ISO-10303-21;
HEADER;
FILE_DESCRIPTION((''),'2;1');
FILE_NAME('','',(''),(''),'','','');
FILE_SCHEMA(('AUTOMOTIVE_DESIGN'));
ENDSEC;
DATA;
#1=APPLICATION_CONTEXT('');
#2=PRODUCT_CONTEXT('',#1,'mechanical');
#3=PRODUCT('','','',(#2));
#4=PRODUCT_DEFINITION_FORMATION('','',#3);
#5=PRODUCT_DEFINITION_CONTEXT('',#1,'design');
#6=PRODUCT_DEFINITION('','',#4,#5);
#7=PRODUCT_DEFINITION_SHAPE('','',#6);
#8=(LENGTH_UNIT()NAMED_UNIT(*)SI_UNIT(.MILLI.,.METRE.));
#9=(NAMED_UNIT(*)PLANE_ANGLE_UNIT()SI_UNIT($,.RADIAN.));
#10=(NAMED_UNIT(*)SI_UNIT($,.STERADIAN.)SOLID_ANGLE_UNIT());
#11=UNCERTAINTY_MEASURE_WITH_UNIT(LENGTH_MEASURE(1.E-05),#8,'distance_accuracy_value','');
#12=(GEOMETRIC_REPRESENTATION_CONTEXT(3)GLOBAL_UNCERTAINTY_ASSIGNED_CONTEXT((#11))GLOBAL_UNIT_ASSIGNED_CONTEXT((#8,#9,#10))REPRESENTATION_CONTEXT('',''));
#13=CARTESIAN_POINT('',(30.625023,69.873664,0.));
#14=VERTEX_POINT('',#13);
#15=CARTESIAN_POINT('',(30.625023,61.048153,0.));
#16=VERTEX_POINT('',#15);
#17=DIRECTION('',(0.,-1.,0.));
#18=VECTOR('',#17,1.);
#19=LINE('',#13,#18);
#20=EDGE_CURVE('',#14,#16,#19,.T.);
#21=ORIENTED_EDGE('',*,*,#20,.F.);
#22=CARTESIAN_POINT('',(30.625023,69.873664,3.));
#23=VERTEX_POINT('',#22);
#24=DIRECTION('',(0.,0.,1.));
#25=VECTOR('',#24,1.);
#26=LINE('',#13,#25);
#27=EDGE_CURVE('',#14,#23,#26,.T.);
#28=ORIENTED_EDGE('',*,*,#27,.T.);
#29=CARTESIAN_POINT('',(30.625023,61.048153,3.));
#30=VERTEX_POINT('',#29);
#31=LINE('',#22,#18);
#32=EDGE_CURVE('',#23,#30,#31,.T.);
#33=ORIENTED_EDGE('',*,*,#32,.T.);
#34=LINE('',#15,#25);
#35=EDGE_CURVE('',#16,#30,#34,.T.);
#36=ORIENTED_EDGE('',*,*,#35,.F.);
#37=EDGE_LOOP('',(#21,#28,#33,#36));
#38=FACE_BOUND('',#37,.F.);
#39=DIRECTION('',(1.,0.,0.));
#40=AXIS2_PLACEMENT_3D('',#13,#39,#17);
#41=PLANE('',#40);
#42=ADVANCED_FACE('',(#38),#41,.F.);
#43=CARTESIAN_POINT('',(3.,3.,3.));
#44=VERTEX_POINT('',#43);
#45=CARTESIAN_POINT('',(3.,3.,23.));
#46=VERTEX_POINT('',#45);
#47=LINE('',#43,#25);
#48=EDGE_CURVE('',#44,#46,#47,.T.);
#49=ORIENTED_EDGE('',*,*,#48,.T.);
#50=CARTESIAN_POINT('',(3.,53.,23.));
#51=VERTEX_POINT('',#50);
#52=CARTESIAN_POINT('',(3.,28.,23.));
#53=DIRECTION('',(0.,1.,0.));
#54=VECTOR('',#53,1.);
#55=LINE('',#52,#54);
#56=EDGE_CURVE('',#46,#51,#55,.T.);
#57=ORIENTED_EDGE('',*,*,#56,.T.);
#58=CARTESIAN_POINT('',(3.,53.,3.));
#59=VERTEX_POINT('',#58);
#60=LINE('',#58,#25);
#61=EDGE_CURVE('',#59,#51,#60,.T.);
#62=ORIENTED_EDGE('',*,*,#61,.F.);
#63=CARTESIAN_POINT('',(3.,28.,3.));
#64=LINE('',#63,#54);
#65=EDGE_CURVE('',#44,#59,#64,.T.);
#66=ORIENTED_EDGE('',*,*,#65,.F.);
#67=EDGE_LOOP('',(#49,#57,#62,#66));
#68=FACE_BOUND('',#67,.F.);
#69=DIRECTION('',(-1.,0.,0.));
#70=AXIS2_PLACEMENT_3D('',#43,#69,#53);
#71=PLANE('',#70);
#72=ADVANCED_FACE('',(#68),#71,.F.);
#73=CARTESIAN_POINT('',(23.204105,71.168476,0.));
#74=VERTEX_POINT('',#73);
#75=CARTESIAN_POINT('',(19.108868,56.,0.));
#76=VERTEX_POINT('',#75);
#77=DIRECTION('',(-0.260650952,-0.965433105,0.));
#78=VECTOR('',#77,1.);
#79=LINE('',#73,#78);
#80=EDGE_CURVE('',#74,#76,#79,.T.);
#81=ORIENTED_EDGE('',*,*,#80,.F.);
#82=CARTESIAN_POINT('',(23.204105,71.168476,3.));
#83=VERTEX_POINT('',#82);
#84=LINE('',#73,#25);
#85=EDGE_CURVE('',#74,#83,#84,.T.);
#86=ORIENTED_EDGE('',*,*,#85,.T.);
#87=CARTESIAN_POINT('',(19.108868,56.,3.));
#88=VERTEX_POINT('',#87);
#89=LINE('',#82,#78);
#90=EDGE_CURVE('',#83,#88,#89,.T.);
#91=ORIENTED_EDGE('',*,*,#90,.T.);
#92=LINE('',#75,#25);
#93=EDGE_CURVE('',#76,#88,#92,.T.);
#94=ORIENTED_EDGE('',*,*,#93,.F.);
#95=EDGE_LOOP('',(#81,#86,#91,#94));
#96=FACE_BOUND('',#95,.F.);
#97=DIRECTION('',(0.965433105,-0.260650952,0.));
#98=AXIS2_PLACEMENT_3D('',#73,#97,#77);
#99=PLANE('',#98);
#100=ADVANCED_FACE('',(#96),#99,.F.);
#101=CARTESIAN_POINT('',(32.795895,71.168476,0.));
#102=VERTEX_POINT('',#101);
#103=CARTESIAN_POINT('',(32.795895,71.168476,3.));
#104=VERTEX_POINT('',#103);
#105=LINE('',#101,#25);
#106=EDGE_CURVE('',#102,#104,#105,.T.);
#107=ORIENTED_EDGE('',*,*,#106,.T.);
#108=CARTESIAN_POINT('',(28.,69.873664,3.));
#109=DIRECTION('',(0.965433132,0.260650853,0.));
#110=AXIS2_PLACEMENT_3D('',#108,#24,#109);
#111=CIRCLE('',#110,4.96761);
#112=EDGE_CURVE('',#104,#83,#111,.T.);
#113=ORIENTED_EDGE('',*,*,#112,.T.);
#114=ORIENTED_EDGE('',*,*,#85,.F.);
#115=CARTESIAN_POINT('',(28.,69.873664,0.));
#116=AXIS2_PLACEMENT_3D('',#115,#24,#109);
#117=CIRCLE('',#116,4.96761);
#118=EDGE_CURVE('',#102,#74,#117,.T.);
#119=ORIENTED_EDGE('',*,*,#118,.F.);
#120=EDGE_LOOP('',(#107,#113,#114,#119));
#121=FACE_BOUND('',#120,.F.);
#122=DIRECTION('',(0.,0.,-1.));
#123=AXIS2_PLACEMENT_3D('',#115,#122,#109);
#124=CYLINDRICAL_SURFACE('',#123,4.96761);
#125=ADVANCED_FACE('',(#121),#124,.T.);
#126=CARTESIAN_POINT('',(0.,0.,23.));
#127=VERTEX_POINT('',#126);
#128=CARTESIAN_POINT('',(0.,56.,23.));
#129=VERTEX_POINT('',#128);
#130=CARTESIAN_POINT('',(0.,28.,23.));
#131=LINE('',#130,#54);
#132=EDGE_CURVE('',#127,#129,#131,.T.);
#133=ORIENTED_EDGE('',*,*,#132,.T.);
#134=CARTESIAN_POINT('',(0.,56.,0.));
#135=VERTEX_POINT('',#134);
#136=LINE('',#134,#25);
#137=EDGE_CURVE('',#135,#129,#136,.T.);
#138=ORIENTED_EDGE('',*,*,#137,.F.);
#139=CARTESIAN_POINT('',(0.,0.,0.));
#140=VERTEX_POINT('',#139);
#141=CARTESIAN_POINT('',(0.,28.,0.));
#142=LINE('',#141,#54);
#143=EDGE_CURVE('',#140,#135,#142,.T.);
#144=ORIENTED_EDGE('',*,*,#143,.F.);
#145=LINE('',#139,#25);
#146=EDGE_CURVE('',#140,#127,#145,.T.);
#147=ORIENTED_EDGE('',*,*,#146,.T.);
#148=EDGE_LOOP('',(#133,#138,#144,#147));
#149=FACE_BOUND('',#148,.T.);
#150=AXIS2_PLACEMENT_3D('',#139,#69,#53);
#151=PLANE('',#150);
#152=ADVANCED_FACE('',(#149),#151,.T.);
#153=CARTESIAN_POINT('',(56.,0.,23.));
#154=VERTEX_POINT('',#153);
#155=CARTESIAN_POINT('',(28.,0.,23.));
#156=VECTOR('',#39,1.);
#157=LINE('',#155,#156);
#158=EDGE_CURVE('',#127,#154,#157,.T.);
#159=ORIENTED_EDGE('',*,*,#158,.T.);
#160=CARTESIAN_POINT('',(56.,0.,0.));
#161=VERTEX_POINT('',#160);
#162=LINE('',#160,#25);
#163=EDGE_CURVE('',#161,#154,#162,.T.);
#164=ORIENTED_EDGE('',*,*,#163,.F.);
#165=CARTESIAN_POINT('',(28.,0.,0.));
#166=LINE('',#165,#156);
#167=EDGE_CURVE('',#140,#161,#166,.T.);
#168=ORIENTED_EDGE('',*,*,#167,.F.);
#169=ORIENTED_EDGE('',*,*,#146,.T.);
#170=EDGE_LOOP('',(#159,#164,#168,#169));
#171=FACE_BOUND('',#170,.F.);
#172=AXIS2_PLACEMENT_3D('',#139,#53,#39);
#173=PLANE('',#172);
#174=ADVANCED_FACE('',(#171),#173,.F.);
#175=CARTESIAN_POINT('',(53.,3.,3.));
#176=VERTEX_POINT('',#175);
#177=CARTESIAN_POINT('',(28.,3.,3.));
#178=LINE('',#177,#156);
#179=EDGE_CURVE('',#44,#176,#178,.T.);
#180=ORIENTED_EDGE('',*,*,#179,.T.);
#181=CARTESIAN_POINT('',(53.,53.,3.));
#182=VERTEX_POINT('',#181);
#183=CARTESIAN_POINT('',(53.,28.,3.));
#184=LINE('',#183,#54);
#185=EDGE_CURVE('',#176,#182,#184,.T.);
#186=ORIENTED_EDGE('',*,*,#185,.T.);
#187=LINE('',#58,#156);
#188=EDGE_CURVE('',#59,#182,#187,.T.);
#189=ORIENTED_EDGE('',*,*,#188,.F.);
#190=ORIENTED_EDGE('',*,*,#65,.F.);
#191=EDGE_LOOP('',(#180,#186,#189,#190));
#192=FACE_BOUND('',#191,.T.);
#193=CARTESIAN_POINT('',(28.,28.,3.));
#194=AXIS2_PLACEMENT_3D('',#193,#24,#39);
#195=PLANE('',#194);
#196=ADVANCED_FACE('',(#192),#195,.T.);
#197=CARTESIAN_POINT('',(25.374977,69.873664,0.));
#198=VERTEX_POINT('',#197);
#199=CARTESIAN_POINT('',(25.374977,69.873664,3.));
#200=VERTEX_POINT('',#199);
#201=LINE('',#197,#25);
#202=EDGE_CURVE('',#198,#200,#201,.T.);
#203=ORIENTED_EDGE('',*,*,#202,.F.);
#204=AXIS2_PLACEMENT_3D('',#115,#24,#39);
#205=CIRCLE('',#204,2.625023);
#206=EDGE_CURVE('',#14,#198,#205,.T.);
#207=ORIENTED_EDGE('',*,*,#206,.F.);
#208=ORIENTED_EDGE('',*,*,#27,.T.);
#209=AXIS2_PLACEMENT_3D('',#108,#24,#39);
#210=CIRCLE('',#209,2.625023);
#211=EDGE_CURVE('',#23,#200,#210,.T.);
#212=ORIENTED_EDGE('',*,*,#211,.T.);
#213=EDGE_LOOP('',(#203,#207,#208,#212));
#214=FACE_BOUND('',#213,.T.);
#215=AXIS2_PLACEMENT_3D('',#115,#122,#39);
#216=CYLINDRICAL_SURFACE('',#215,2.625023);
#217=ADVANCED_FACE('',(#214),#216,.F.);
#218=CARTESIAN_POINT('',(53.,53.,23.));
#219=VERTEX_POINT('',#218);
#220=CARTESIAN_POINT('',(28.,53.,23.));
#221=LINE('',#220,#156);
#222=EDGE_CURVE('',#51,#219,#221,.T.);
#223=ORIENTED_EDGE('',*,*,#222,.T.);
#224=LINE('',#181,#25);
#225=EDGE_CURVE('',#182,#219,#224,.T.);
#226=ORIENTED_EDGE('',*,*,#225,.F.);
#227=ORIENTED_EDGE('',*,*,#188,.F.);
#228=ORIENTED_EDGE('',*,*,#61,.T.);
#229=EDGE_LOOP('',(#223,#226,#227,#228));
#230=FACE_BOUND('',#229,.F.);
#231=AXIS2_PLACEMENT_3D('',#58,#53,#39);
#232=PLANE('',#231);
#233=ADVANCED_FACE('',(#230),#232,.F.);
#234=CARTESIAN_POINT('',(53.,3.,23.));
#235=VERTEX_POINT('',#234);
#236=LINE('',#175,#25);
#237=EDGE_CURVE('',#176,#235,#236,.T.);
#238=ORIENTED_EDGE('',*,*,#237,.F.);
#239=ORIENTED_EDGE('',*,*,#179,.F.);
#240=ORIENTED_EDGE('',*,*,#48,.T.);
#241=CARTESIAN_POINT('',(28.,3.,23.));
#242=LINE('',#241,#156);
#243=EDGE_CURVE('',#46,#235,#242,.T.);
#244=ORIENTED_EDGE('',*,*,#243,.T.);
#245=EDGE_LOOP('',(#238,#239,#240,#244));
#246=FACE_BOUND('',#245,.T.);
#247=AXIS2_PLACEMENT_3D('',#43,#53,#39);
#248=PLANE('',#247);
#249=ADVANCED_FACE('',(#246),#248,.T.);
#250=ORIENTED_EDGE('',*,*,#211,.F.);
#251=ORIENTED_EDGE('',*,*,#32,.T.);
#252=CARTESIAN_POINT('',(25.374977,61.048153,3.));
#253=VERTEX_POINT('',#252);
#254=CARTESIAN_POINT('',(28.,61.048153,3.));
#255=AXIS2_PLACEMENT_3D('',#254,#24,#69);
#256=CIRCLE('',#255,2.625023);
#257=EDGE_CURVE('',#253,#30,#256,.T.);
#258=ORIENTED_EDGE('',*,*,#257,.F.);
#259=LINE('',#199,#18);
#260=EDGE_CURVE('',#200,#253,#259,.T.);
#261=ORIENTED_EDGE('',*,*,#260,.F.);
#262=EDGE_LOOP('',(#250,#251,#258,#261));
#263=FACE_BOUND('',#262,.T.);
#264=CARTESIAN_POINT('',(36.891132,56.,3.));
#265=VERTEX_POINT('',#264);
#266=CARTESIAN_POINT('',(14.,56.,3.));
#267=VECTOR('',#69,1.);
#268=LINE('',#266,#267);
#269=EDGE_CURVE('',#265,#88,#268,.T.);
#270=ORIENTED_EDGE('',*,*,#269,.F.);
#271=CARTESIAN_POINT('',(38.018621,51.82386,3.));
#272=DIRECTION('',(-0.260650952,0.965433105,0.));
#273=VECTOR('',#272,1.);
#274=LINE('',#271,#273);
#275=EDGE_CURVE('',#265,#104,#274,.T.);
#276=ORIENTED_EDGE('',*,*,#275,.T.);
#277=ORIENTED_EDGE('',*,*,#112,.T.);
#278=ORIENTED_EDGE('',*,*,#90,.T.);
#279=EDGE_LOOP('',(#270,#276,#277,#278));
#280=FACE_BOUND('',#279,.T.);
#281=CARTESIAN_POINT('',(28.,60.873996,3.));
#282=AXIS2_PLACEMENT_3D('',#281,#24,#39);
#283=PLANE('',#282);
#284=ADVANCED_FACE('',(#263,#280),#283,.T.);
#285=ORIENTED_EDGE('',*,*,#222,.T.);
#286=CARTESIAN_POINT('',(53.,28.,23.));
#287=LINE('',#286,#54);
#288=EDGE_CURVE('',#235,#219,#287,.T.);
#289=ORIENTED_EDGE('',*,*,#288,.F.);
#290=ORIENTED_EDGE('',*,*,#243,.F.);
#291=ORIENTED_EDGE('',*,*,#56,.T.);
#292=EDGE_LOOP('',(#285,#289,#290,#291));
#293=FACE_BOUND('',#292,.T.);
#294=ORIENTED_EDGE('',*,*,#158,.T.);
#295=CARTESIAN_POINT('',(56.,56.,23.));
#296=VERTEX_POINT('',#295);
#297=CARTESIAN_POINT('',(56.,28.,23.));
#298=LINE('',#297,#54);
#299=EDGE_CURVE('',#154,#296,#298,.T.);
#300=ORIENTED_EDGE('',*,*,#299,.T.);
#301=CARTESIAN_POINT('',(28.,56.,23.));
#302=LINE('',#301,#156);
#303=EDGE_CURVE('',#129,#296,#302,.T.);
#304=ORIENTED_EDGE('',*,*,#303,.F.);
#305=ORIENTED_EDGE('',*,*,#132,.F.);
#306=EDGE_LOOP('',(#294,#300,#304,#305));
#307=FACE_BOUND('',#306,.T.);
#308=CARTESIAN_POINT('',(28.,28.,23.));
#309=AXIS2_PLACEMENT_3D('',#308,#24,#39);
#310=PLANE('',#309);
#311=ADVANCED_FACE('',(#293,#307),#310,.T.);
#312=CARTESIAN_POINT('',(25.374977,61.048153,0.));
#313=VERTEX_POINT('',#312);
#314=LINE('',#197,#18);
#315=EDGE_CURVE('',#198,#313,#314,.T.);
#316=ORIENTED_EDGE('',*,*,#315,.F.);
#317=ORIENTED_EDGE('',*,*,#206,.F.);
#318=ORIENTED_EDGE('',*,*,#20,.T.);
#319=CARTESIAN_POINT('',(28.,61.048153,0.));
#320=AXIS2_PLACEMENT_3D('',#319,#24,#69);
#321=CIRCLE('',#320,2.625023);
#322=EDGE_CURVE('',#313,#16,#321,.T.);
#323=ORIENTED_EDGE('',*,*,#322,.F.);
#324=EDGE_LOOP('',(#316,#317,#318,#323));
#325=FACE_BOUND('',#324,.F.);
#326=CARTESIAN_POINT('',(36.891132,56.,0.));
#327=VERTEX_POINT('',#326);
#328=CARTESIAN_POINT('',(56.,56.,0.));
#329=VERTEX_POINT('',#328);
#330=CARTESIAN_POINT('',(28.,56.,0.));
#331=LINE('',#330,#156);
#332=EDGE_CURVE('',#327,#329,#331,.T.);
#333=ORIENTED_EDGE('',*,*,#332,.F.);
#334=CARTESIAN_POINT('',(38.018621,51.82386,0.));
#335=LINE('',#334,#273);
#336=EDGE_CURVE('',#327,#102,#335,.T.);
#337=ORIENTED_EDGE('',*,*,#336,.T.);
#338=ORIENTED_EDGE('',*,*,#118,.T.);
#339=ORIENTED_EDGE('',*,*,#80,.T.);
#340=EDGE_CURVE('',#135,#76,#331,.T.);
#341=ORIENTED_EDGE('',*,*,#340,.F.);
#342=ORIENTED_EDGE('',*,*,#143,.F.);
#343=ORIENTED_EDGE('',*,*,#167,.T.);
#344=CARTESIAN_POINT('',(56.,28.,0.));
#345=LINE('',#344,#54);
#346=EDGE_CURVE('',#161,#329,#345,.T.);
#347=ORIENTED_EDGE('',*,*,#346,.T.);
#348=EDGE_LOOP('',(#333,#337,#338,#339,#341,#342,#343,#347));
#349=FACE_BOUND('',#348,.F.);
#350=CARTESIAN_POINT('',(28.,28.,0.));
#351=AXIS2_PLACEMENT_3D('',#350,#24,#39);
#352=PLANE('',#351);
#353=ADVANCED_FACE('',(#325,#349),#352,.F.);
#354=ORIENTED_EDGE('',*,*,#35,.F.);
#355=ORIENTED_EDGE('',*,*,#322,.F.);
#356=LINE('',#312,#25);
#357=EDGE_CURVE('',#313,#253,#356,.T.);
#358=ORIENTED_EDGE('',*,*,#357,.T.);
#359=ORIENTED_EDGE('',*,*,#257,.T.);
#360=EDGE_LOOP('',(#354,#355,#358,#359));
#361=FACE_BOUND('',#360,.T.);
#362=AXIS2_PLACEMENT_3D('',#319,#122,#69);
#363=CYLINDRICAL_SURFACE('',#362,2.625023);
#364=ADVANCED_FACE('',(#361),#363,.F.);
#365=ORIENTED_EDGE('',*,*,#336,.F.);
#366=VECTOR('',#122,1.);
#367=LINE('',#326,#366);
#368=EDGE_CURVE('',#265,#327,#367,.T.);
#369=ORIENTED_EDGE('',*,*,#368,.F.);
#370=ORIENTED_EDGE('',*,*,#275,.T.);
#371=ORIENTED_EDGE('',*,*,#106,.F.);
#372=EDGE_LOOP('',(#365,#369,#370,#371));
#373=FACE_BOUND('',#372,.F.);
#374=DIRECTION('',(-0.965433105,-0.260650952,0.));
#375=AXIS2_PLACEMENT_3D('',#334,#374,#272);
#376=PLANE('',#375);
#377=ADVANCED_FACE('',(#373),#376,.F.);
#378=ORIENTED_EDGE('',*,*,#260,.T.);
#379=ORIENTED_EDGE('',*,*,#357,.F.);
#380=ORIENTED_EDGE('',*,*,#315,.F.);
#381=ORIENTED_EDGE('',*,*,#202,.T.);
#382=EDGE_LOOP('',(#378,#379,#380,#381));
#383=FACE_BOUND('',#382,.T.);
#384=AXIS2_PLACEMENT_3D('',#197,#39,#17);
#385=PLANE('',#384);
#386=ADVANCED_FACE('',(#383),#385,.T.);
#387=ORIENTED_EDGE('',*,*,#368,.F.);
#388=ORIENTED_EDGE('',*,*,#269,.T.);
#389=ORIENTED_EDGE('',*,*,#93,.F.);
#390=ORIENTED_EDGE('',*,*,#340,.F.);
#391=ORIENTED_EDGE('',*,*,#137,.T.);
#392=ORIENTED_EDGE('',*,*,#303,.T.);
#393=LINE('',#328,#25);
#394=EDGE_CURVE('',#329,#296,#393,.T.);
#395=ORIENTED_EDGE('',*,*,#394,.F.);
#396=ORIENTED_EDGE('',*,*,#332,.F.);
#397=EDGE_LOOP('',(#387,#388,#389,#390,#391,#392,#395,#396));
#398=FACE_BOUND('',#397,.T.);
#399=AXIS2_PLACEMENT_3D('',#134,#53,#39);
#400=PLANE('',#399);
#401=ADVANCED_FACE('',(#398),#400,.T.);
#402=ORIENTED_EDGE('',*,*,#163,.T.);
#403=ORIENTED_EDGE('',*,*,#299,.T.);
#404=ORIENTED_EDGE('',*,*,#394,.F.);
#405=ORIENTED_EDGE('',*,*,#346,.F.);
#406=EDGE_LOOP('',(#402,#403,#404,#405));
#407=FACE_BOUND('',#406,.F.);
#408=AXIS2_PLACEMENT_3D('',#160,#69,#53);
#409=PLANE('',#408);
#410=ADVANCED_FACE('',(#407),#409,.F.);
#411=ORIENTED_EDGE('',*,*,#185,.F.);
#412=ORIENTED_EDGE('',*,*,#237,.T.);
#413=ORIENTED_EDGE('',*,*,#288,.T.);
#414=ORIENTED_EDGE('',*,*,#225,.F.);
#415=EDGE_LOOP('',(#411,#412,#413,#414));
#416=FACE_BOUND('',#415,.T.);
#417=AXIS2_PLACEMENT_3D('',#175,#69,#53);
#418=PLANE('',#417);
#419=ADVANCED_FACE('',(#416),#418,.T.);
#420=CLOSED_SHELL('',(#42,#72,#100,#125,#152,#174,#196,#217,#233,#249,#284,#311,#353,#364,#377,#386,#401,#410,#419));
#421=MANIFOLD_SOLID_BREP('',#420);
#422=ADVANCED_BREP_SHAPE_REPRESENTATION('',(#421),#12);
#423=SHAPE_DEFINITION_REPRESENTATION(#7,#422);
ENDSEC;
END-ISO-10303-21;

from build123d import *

# Parameters (mm, degrees)
BOX001_W         = 50
BOX001_H         = 50
BOX001_DEPTH     = 20
BOX002_W         = 56
BOX002_H         = 56
BOX002_DEPTH     = 23
EXTRUDE001_DEPTH = 3


with BuildPart() as cube001:
    # Box001 → Box001 (new body)
    with BuildSketch(Plane(origin=(3, 3, 3), x_dir=(1, 0, 0), z_dir=(0, 0, 1))):
        with Locations((25, 25)):
            Rectangle(BOX001_W, BOX001_H)
    extrude(amount=BOX001_DEPTH)


with BuildPart() as substract_caixa:
    # Box002 → Box002 (new body)
    with BuildSketch(Plane.XY):
        with Locations((28, 28)):
            Rectangle(BOX002_W, BOX002_H)
    extrude(amount=BOX002_DEPTH)

    # Cut: cut Cube001
    add(cube001.part, mode=Mode.SUBTRACT)


with BuildPart() as fusion_caixa_end:
    # Sketch002 → Extrude001 (new body)
    with BuildSketch(Plane.XY):
        with BuildLine():
            Line((17.981379, 51.82386), (38.018621, 51.82386))
            Line((38.018621, 51.82386), (32.795895, 71.168476))
            ThreePointArc((32.795895, 71.168476), (28, 74.841274), (23.204105, 71.168476))
            Line((23.204105, 71.168476), (17.981379, 51.82386))
        make_face()
        with BuildLine():
            ThreePointArc((30.625023, 69.873664), (28, 72.498687), (25.374977, 69.873664))
            Line((25.374977, 69.873664), (25.374977, 61.048153))
            ThreePointArc((25.374977, 61.048153), (28, 58.42313), (30.625023, 61.048153))
            Line((30.625023, 69.873664), (30.625023, 61.048153))
        make_face(mode=Mode.SUBTRACT)
    extrude(amount=EXTRUDE001_DEPTH)

    # Fusion002: union Substract-Caixa
    add(substract_caixa.part)


solid = fusion_caixa_end.part
